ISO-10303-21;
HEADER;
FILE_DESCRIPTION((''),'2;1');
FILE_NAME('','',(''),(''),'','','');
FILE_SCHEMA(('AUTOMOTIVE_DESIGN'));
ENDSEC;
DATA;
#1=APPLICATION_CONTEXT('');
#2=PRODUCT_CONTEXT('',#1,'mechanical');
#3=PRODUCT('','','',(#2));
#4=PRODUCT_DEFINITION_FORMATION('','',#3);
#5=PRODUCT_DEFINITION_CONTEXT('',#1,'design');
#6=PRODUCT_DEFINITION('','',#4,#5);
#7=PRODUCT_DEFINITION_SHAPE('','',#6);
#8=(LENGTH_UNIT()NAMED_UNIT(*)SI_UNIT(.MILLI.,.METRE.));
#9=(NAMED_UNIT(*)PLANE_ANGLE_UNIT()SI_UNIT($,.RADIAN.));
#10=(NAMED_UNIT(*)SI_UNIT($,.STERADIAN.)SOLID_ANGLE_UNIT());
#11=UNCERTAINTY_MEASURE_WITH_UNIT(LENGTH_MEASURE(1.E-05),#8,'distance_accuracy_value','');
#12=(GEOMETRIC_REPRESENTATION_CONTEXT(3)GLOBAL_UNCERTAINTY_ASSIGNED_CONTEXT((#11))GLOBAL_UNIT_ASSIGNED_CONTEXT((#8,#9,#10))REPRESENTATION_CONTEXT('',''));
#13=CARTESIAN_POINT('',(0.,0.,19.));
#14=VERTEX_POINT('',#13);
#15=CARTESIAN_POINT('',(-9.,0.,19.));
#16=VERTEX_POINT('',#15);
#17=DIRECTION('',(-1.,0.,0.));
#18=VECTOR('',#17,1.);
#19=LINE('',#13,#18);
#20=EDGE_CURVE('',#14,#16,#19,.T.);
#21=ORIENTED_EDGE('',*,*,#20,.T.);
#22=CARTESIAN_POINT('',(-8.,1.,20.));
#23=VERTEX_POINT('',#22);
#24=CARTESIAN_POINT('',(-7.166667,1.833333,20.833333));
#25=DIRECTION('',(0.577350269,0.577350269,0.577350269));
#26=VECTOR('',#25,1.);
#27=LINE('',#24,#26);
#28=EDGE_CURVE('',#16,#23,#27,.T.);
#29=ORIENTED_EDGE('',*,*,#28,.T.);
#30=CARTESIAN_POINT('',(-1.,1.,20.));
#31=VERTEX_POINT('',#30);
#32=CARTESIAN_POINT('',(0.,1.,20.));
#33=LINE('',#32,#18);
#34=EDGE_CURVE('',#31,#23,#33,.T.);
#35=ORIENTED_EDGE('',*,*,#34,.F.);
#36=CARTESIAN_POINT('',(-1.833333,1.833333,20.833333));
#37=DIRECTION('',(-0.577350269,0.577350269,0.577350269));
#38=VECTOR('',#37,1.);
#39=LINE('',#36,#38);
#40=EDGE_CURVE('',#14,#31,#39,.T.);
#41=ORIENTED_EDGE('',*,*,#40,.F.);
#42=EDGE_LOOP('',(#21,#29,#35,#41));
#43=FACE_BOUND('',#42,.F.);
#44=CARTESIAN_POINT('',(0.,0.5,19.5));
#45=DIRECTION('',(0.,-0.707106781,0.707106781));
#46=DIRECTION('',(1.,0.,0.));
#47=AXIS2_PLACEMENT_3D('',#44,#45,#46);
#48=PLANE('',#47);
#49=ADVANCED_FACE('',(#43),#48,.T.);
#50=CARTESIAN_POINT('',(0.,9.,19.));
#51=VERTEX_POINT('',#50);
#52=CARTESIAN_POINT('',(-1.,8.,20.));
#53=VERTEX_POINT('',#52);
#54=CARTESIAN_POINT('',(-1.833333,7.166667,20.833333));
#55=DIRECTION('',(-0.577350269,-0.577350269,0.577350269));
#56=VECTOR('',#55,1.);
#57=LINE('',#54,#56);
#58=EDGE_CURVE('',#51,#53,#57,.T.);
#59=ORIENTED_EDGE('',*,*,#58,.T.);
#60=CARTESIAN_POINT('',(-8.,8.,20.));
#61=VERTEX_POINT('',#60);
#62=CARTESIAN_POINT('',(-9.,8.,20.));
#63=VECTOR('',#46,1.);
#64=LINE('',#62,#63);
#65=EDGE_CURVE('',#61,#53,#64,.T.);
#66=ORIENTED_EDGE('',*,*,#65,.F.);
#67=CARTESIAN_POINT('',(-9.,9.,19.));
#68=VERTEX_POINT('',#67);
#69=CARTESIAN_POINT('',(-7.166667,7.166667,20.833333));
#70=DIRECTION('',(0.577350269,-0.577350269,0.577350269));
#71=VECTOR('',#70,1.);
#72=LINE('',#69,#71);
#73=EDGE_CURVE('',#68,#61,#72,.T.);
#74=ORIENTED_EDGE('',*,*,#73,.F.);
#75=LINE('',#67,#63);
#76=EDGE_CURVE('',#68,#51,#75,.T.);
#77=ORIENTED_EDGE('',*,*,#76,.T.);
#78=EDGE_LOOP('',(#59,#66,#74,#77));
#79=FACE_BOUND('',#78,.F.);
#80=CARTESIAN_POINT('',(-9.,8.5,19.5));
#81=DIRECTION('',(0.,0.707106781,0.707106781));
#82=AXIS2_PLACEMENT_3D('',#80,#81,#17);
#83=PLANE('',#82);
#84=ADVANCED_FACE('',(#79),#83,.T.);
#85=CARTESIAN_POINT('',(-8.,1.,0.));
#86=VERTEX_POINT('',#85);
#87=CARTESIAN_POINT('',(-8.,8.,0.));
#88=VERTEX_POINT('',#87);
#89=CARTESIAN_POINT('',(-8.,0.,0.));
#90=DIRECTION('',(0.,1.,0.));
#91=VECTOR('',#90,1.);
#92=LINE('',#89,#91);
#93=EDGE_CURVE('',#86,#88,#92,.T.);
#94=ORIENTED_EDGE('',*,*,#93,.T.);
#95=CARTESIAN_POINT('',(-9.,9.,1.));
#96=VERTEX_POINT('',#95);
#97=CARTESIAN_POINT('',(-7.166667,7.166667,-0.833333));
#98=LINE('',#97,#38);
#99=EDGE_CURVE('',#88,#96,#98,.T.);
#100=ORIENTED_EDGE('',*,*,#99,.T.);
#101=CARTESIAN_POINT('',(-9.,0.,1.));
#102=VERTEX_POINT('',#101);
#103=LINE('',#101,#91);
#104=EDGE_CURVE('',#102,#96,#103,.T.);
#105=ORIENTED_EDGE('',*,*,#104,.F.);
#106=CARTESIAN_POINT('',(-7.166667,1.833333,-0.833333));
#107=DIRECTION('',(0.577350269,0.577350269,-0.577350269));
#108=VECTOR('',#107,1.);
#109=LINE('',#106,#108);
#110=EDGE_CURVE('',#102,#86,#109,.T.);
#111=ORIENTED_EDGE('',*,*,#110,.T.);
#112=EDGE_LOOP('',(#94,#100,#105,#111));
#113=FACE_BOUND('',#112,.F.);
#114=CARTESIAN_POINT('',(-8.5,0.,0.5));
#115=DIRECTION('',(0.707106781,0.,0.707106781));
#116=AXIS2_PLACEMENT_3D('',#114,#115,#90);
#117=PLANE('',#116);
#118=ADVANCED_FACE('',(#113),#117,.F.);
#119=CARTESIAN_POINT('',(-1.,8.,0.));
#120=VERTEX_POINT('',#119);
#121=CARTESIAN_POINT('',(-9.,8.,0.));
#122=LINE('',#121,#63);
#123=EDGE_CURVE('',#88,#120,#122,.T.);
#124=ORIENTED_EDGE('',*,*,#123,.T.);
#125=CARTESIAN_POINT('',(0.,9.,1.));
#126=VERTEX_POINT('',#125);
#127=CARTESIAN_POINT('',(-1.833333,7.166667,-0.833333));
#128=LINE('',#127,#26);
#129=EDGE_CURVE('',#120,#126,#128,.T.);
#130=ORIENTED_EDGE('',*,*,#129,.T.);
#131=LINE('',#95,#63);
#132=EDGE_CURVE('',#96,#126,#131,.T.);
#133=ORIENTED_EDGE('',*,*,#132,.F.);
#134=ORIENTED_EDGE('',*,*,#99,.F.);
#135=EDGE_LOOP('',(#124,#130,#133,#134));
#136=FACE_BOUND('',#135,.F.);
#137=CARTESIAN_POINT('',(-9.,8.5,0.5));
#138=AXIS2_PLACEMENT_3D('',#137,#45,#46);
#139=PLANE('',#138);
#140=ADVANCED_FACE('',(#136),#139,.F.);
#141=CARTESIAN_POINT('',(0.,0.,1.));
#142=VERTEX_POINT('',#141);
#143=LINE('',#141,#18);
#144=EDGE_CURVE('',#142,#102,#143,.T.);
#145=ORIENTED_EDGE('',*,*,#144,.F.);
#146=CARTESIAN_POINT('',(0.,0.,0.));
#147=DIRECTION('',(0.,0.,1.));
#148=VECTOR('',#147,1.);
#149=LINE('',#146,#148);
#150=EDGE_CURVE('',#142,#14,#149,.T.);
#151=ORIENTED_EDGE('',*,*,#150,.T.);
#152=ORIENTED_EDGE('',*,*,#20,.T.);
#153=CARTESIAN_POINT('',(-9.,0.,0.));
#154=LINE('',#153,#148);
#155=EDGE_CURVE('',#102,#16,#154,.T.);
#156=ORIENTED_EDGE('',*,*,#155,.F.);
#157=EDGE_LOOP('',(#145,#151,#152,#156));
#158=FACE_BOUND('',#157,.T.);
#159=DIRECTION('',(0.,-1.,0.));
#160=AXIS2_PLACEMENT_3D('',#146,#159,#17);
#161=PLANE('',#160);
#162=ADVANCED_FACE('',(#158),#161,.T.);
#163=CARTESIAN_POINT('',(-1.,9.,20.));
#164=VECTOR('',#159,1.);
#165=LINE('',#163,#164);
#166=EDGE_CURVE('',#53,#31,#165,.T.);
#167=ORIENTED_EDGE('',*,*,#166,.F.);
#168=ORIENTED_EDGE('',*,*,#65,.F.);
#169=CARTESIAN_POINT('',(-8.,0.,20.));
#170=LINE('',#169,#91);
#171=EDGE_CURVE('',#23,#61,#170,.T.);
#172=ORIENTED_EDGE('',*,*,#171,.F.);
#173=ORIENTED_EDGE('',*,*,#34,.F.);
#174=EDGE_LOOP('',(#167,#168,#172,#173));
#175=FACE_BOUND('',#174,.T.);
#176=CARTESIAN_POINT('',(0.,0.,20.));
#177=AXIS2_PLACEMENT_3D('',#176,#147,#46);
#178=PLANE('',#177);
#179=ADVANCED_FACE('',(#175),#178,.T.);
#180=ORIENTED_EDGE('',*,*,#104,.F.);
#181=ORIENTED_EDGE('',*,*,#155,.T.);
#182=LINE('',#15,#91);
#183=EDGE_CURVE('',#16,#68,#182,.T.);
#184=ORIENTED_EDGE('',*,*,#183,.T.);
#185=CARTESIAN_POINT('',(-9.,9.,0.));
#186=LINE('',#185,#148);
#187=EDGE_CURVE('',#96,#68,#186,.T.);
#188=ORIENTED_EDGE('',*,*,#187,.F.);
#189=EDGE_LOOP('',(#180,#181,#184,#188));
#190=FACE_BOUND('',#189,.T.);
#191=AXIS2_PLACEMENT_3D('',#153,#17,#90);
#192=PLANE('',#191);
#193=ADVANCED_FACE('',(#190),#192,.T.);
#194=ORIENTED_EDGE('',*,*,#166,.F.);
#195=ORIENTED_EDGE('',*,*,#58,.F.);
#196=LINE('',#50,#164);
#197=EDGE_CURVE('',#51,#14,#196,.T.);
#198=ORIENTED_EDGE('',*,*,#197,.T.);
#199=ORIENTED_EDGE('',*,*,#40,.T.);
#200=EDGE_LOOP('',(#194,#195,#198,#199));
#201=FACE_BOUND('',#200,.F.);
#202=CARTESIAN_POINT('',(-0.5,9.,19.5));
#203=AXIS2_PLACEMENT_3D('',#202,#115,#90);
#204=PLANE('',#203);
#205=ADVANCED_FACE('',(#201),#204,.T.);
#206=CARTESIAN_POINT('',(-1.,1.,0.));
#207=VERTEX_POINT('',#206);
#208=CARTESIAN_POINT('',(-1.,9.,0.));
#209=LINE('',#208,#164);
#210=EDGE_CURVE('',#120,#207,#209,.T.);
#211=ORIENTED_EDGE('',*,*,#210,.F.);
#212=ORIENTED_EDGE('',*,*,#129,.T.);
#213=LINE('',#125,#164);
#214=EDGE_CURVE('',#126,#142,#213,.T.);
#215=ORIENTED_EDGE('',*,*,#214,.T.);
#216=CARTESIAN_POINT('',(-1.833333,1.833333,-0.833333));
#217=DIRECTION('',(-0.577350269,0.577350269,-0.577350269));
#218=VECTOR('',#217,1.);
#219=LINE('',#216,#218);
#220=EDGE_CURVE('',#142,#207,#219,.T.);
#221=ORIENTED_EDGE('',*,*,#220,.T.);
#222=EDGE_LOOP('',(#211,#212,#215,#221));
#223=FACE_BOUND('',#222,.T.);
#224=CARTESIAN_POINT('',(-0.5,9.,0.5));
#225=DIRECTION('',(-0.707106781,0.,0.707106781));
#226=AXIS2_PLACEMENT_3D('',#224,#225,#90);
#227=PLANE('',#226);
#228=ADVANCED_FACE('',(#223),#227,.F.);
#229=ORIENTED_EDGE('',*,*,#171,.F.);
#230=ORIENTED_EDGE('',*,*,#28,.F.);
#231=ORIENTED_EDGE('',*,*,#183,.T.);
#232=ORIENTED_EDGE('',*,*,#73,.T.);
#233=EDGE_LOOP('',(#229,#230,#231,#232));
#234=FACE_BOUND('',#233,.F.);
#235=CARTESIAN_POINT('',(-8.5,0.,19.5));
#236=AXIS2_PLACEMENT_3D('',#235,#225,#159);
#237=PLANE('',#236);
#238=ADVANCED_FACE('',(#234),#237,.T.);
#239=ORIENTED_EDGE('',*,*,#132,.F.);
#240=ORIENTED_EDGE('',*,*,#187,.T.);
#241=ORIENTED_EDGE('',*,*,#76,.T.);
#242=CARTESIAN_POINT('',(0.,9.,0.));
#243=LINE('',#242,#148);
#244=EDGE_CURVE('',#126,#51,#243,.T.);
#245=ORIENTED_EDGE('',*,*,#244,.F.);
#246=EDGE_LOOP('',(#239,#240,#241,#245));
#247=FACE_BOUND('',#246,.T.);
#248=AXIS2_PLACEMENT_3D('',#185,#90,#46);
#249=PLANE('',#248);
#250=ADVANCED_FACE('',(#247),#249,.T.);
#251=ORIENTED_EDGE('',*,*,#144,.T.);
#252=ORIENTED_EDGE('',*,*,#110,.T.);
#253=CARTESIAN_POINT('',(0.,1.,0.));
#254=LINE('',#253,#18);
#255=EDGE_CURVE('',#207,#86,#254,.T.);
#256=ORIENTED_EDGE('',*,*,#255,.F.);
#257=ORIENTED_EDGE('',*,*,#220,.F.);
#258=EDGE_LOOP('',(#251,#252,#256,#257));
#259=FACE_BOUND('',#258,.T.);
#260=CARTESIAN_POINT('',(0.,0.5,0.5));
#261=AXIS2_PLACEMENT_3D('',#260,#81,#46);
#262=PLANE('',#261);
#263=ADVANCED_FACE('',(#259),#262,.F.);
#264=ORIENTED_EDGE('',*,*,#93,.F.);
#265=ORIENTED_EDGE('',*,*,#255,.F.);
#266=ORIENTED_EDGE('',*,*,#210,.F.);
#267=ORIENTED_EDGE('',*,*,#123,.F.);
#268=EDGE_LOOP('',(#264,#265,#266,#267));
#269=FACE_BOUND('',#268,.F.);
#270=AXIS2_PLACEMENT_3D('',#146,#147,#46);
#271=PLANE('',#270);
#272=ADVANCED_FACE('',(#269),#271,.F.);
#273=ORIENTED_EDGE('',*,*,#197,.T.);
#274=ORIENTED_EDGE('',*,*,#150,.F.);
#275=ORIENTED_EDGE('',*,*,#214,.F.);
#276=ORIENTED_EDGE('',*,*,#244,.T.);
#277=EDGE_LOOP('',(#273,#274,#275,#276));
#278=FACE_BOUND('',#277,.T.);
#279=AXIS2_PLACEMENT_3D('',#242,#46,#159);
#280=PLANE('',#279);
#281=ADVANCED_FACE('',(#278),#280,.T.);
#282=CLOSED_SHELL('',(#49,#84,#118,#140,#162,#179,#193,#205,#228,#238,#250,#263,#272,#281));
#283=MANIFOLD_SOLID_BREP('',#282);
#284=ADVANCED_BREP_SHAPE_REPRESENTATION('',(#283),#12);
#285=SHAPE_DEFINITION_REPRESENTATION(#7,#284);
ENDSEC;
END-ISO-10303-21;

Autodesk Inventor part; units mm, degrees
ref_plane "YZ Plane" through (0, 0, 0) normal (1, 0, 0) x (0, 1, 0)
ref_plane "XZ Plane" through (0, 0, 0) normal (0, 1, 0) x (-1, 0, 0)
ref_plane "XY Plane" through (0, 0, 0) normal (0, 0, 1) x (1, 0, 0)
sketch "Sketch1" plane through (0, 0, 0) normal (0, 0, 1) x (1, 0, 0)
  line L0 (0, 0) -> (-9, 0)
  line L1 (-9, 0) -> (-9, 9)
  line L2 (-9, 9) -> (0, 9)
  line L3 (0, 9) -> (0, 0)
  dimension "d0" = 9
  dimension "d1" = 9
extrude "Extrusion1" add sketch "Sketch1" along normal blind 20
chamfer "Chamfer1" distance 1 angle 45 4 edges at (-4.5, 9, 20) (0, 4.5, 20) (-4.5, 0, 20) (-9, 4.5, 20)
chamfer "Chamfer2" distance 1 angle 45 4 edges at (-4.5, 9, 0) (0, 4.5, 0) (-4.5, 0, 0) (-9, 4.5, 0)
properties part number "Pillar_TestFit_V1"
